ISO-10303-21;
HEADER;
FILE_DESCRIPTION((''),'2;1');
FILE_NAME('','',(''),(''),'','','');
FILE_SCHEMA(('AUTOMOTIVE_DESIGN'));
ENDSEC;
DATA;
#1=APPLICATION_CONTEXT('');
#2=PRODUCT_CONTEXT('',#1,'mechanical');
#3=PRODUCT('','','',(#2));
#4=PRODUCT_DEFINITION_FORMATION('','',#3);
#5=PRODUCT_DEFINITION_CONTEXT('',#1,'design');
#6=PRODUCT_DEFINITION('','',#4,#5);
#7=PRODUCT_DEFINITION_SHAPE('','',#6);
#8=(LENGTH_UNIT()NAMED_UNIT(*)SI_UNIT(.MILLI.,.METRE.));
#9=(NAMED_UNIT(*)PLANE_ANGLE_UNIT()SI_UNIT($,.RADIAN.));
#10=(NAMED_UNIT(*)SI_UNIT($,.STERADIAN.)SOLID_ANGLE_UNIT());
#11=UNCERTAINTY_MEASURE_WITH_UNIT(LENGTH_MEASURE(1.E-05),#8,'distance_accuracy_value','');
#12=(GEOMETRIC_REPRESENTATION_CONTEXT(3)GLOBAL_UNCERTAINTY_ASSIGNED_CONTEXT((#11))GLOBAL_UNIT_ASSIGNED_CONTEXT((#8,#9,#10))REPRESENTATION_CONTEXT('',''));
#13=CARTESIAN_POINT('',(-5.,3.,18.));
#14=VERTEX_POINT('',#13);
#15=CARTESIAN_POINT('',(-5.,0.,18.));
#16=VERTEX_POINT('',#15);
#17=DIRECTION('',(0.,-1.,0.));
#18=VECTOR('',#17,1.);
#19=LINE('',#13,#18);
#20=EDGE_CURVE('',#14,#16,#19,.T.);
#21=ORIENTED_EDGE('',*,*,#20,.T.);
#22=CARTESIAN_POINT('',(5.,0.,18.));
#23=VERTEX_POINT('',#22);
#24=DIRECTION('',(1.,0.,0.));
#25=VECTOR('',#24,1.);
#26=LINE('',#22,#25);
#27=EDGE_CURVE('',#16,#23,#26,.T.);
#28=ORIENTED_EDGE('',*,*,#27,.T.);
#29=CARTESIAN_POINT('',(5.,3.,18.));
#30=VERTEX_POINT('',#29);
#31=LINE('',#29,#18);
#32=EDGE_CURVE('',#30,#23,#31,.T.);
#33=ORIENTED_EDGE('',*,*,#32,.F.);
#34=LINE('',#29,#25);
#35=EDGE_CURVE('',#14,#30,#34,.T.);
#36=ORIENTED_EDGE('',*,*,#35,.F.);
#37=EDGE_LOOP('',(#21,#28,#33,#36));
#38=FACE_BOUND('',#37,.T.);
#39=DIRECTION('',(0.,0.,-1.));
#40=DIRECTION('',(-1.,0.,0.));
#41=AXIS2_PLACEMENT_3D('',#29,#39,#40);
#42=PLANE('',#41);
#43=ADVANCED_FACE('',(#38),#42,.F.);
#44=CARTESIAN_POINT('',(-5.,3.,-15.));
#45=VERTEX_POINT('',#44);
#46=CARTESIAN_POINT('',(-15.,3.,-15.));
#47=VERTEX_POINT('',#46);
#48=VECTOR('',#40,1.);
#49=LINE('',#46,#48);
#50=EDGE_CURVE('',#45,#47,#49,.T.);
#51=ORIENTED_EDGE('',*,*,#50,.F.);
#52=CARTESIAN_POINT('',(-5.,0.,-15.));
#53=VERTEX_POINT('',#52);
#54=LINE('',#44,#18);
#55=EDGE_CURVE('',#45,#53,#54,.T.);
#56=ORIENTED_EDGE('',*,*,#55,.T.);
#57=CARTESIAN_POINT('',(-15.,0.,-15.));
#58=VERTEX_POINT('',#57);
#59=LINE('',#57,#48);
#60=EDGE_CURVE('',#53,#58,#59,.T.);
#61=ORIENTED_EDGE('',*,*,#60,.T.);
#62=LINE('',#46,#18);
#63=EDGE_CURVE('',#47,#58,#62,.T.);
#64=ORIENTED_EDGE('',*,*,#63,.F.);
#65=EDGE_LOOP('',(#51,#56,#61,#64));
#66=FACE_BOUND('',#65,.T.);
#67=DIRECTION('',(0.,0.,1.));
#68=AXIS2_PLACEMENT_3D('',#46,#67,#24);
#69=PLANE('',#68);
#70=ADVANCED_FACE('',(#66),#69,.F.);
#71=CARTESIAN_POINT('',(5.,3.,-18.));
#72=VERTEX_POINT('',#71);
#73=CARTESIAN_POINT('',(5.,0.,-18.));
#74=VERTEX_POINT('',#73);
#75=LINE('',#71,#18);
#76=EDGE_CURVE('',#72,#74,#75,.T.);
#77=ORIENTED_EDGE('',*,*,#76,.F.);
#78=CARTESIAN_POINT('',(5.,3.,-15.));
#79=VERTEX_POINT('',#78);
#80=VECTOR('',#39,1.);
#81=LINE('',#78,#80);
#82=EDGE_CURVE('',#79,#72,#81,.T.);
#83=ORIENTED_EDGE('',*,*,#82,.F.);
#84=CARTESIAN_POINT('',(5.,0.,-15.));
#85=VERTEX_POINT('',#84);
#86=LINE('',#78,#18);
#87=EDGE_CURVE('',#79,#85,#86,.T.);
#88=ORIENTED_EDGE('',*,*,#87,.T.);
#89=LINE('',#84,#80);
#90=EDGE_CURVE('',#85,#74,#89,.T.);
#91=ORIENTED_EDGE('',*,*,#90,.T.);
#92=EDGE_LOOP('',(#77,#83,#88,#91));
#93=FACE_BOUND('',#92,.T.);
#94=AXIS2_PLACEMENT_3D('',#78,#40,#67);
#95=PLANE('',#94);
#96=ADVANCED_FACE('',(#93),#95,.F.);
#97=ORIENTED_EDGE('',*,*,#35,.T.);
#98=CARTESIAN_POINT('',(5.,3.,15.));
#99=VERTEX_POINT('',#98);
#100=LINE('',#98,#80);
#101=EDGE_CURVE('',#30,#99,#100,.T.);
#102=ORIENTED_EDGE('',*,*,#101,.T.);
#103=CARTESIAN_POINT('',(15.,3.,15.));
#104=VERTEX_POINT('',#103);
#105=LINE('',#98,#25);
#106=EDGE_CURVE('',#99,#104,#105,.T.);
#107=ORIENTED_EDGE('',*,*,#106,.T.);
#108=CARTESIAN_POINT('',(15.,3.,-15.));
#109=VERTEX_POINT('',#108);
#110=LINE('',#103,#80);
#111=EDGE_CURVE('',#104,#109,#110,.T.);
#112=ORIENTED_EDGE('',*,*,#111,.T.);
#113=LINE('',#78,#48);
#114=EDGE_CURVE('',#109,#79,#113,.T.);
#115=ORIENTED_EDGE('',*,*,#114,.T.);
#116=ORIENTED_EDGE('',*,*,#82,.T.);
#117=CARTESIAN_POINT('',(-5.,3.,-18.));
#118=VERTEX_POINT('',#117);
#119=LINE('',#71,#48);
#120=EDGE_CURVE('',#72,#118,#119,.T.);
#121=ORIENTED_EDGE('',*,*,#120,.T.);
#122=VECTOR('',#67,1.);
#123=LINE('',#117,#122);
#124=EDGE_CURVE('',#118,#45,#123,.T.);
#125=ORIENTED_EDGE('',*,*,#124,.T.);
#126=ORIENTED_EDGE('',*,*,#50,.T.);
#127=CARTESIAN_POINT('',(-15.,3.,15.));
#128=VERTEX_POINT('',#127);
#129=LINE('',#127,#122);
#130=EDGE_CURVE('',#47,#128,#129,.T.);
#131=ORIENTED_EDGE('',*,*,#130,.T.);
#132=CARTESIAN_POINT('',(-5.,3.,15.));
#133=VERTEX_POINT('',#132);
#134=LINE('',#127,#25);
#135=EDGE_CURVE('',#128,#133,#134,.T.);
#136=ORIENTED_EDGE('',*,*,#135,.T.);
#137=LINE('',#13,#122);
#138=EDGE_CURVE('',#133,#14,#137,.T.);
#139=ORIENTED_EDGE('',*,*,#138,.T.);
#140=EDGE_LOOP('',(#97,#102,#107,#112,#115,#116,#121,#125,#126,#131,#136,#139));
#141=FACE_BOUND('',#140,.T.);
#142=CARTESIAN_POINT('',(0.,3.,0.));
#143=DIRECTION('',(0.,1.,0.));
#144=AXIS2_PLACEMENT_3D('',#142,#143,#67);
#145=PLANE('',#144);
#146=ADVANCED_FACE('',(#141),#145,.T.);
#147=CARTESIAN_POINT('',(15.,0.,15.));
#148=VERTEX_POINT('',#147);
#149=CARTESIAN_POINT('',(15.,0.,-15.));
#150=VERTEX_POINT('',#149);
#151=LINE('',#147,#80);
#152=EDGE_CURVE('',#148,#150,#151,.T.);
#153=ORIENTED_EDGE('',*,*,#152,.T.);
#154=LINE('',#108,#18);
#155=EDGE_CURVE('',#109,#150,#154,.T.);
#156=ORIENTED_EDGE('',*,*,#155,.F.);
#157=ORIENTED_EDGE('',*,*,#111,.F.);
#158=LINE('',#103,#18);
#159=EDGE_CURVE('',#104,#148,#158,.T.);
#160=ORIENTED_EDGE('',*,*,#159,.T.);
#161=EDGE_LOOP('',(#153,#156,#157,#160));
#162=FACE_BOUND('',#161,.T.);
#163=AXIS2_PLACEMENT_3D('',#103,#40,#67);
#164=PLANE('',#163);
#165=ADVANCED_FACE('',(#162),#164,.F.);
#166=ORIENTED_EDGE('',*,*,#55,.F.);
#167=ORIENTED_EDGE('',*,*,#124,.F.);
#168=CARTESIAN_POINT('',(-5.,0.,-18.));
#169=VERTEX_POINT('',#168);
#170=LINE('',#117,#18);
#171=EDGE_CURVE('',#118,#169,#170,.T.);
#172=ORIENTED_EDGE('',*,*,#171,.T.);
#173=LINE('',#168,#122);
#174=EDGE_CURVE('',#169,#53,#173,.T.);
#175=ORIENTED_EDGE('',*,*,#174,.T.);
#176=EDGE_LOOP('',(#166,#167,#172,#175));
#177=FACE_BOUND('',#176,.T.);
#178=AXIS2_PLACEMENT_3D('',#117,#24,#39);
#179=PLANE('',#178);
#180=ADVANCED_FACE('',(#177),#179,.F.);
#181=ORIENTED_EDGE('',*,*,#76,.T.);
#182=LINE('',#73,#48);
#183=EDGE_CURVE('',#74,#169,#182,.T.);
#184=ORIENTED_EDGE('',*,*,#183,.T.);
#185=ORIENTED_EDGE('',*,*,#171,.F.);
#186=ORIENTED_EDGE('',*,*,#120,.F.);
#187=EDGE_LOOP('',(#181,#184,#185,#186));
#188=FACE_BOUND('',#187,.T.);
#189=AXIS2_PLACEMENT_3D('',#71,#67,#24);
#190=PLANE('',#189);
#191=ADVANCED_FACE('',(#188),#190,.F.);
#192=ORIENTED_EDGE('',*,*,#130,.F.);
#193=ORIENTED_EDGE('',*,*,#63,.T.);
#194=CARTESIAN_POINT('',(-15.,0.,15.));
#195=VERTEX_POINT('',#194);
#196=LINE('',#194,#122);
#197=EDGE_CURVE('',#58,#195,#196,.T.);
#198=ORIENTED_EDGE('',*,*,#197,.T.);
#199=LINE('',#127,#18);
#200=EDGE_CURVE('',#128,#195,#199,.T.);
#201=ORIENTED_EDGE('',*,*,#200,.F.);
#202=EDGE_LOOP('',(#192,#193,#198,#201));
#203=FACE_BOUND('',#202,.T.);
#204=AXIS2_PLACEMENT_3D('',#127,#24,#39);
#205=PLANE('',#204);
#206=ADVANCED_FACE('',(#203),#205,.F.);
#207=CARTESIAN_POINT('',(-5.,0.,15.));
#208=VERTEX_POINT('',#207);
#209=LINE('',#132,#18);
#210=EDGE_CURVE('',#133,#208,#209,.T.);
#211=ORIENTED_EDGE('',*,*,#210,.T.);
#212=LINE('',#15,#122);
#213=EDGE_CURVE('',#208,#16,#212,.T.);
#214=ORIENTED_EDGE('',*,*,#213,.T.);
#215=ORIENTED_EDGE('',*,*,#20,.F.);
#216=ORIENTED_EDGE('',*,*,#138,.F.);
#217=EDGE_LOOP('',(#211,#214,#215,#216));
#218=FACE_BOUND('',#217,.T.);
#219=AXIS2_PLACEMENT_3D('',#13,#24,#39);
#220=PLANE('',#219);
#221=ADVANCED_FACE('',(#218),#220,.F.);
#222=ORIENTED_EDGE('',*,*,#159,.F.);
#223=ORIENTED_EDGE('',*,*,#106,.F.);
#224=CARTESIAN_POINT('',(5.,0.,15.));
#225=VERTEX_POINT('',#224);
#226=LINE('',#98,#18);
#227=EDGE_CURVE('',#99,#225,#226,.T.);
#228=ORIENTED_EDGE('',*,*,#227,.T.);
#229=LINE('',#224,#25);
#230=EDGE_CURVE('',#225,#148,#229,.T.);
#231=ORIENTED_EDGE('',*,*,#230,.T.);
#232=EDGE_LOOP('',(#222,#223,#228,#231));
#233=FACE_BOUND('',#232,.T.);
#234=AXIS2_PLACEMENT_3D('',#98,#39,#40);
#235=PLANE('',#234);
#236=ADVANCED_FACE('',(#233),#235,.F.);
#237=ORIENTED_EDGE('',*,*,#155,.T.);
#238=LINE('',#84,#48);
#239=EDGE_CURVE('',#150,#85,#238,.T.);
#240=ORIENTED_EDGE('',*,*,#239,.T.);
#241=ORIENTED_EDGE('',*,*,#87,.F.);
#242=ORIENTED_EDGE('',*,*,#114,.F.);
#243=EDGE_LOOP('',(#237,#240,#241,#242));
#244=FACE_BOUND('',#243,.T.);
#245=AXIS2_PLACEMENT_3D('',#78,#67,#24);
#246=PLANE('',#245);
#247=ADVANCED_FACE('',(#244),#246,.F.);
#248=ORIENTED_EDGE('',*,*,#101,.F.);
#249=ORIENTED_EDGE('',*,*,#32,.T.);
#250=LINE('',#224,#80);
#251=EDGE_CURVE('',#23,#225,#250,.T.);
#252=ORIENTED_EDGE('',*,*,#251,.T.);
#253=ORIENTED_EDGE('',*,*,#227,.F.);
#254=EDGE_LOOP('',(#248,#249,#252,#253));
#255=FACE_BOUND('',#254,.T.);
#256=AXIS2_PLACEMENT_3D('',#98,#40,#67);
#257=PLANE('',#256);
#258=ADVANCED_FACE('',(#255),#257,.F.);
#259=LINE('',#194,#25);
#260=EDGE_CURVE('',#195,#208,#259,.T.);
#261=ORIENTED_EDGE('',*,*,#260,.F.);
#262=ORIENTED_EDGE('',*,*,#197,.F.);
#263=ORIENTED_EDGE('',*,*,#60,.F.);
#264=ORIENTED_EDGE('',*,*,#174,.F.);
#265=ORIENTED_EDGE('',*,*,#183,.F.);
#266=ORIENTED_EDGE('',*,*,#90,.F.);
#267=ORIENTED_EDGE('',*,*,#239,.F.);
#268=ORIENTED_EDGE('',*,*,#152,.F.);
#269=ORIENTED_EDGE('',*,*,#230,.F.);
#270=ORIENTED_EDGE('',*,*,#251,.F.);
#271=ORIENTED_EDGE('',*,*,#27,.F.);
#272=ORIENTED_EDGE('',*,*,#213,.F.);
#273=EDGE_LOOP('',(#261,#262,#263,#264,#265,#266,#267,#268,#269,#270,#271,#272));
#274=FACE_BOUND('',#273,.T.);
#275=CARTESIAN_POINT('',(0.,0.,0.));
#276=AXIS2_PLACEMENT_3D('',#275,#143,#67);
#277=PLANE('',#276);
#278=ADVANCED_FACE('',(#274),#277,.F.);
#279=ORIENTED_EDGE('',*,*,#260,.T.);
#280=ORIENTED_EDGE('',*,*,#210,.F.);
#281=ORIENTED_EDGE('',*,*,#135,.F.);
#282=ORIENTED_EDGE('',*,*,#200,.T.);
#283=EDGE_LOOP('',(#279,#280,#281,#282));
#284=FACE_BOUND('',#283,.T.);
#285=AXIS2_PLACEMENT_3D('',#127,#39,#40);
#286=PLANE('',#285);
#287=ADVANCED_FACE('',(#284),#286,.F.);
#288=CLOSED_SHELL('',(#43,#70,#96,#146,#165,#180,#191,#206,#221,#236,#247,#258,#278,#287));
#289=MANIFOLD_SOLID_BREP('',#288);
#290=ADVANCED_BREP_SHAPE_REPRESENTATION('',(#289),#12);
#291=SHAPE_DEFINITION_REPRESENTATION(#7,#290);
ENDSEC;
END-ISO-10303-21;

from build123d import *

# Parameters (mm, degrees)
BOSS_EXTRUDE1_DEPTH = 3


with BuildPart() as part:
    # Sketch1 → Boss-Extrude1 (new body)
    with BuildSketch(Plane(origin=(0, 0, 0), x_dir=(1, 0, 0), z_dir=(0, 1, 0))):
        Polygon((-15, -15), (-5, -15), (-5, -18), (5, -18), (5, -15), (15, -15), (15, 15), (5, 15), (5, 18), (-5, 18), (-5, 15), (-15, 15), align=None)
    extrude(amount=BOSS_EXTRUDE1_DEPTH)


solid = part.part
